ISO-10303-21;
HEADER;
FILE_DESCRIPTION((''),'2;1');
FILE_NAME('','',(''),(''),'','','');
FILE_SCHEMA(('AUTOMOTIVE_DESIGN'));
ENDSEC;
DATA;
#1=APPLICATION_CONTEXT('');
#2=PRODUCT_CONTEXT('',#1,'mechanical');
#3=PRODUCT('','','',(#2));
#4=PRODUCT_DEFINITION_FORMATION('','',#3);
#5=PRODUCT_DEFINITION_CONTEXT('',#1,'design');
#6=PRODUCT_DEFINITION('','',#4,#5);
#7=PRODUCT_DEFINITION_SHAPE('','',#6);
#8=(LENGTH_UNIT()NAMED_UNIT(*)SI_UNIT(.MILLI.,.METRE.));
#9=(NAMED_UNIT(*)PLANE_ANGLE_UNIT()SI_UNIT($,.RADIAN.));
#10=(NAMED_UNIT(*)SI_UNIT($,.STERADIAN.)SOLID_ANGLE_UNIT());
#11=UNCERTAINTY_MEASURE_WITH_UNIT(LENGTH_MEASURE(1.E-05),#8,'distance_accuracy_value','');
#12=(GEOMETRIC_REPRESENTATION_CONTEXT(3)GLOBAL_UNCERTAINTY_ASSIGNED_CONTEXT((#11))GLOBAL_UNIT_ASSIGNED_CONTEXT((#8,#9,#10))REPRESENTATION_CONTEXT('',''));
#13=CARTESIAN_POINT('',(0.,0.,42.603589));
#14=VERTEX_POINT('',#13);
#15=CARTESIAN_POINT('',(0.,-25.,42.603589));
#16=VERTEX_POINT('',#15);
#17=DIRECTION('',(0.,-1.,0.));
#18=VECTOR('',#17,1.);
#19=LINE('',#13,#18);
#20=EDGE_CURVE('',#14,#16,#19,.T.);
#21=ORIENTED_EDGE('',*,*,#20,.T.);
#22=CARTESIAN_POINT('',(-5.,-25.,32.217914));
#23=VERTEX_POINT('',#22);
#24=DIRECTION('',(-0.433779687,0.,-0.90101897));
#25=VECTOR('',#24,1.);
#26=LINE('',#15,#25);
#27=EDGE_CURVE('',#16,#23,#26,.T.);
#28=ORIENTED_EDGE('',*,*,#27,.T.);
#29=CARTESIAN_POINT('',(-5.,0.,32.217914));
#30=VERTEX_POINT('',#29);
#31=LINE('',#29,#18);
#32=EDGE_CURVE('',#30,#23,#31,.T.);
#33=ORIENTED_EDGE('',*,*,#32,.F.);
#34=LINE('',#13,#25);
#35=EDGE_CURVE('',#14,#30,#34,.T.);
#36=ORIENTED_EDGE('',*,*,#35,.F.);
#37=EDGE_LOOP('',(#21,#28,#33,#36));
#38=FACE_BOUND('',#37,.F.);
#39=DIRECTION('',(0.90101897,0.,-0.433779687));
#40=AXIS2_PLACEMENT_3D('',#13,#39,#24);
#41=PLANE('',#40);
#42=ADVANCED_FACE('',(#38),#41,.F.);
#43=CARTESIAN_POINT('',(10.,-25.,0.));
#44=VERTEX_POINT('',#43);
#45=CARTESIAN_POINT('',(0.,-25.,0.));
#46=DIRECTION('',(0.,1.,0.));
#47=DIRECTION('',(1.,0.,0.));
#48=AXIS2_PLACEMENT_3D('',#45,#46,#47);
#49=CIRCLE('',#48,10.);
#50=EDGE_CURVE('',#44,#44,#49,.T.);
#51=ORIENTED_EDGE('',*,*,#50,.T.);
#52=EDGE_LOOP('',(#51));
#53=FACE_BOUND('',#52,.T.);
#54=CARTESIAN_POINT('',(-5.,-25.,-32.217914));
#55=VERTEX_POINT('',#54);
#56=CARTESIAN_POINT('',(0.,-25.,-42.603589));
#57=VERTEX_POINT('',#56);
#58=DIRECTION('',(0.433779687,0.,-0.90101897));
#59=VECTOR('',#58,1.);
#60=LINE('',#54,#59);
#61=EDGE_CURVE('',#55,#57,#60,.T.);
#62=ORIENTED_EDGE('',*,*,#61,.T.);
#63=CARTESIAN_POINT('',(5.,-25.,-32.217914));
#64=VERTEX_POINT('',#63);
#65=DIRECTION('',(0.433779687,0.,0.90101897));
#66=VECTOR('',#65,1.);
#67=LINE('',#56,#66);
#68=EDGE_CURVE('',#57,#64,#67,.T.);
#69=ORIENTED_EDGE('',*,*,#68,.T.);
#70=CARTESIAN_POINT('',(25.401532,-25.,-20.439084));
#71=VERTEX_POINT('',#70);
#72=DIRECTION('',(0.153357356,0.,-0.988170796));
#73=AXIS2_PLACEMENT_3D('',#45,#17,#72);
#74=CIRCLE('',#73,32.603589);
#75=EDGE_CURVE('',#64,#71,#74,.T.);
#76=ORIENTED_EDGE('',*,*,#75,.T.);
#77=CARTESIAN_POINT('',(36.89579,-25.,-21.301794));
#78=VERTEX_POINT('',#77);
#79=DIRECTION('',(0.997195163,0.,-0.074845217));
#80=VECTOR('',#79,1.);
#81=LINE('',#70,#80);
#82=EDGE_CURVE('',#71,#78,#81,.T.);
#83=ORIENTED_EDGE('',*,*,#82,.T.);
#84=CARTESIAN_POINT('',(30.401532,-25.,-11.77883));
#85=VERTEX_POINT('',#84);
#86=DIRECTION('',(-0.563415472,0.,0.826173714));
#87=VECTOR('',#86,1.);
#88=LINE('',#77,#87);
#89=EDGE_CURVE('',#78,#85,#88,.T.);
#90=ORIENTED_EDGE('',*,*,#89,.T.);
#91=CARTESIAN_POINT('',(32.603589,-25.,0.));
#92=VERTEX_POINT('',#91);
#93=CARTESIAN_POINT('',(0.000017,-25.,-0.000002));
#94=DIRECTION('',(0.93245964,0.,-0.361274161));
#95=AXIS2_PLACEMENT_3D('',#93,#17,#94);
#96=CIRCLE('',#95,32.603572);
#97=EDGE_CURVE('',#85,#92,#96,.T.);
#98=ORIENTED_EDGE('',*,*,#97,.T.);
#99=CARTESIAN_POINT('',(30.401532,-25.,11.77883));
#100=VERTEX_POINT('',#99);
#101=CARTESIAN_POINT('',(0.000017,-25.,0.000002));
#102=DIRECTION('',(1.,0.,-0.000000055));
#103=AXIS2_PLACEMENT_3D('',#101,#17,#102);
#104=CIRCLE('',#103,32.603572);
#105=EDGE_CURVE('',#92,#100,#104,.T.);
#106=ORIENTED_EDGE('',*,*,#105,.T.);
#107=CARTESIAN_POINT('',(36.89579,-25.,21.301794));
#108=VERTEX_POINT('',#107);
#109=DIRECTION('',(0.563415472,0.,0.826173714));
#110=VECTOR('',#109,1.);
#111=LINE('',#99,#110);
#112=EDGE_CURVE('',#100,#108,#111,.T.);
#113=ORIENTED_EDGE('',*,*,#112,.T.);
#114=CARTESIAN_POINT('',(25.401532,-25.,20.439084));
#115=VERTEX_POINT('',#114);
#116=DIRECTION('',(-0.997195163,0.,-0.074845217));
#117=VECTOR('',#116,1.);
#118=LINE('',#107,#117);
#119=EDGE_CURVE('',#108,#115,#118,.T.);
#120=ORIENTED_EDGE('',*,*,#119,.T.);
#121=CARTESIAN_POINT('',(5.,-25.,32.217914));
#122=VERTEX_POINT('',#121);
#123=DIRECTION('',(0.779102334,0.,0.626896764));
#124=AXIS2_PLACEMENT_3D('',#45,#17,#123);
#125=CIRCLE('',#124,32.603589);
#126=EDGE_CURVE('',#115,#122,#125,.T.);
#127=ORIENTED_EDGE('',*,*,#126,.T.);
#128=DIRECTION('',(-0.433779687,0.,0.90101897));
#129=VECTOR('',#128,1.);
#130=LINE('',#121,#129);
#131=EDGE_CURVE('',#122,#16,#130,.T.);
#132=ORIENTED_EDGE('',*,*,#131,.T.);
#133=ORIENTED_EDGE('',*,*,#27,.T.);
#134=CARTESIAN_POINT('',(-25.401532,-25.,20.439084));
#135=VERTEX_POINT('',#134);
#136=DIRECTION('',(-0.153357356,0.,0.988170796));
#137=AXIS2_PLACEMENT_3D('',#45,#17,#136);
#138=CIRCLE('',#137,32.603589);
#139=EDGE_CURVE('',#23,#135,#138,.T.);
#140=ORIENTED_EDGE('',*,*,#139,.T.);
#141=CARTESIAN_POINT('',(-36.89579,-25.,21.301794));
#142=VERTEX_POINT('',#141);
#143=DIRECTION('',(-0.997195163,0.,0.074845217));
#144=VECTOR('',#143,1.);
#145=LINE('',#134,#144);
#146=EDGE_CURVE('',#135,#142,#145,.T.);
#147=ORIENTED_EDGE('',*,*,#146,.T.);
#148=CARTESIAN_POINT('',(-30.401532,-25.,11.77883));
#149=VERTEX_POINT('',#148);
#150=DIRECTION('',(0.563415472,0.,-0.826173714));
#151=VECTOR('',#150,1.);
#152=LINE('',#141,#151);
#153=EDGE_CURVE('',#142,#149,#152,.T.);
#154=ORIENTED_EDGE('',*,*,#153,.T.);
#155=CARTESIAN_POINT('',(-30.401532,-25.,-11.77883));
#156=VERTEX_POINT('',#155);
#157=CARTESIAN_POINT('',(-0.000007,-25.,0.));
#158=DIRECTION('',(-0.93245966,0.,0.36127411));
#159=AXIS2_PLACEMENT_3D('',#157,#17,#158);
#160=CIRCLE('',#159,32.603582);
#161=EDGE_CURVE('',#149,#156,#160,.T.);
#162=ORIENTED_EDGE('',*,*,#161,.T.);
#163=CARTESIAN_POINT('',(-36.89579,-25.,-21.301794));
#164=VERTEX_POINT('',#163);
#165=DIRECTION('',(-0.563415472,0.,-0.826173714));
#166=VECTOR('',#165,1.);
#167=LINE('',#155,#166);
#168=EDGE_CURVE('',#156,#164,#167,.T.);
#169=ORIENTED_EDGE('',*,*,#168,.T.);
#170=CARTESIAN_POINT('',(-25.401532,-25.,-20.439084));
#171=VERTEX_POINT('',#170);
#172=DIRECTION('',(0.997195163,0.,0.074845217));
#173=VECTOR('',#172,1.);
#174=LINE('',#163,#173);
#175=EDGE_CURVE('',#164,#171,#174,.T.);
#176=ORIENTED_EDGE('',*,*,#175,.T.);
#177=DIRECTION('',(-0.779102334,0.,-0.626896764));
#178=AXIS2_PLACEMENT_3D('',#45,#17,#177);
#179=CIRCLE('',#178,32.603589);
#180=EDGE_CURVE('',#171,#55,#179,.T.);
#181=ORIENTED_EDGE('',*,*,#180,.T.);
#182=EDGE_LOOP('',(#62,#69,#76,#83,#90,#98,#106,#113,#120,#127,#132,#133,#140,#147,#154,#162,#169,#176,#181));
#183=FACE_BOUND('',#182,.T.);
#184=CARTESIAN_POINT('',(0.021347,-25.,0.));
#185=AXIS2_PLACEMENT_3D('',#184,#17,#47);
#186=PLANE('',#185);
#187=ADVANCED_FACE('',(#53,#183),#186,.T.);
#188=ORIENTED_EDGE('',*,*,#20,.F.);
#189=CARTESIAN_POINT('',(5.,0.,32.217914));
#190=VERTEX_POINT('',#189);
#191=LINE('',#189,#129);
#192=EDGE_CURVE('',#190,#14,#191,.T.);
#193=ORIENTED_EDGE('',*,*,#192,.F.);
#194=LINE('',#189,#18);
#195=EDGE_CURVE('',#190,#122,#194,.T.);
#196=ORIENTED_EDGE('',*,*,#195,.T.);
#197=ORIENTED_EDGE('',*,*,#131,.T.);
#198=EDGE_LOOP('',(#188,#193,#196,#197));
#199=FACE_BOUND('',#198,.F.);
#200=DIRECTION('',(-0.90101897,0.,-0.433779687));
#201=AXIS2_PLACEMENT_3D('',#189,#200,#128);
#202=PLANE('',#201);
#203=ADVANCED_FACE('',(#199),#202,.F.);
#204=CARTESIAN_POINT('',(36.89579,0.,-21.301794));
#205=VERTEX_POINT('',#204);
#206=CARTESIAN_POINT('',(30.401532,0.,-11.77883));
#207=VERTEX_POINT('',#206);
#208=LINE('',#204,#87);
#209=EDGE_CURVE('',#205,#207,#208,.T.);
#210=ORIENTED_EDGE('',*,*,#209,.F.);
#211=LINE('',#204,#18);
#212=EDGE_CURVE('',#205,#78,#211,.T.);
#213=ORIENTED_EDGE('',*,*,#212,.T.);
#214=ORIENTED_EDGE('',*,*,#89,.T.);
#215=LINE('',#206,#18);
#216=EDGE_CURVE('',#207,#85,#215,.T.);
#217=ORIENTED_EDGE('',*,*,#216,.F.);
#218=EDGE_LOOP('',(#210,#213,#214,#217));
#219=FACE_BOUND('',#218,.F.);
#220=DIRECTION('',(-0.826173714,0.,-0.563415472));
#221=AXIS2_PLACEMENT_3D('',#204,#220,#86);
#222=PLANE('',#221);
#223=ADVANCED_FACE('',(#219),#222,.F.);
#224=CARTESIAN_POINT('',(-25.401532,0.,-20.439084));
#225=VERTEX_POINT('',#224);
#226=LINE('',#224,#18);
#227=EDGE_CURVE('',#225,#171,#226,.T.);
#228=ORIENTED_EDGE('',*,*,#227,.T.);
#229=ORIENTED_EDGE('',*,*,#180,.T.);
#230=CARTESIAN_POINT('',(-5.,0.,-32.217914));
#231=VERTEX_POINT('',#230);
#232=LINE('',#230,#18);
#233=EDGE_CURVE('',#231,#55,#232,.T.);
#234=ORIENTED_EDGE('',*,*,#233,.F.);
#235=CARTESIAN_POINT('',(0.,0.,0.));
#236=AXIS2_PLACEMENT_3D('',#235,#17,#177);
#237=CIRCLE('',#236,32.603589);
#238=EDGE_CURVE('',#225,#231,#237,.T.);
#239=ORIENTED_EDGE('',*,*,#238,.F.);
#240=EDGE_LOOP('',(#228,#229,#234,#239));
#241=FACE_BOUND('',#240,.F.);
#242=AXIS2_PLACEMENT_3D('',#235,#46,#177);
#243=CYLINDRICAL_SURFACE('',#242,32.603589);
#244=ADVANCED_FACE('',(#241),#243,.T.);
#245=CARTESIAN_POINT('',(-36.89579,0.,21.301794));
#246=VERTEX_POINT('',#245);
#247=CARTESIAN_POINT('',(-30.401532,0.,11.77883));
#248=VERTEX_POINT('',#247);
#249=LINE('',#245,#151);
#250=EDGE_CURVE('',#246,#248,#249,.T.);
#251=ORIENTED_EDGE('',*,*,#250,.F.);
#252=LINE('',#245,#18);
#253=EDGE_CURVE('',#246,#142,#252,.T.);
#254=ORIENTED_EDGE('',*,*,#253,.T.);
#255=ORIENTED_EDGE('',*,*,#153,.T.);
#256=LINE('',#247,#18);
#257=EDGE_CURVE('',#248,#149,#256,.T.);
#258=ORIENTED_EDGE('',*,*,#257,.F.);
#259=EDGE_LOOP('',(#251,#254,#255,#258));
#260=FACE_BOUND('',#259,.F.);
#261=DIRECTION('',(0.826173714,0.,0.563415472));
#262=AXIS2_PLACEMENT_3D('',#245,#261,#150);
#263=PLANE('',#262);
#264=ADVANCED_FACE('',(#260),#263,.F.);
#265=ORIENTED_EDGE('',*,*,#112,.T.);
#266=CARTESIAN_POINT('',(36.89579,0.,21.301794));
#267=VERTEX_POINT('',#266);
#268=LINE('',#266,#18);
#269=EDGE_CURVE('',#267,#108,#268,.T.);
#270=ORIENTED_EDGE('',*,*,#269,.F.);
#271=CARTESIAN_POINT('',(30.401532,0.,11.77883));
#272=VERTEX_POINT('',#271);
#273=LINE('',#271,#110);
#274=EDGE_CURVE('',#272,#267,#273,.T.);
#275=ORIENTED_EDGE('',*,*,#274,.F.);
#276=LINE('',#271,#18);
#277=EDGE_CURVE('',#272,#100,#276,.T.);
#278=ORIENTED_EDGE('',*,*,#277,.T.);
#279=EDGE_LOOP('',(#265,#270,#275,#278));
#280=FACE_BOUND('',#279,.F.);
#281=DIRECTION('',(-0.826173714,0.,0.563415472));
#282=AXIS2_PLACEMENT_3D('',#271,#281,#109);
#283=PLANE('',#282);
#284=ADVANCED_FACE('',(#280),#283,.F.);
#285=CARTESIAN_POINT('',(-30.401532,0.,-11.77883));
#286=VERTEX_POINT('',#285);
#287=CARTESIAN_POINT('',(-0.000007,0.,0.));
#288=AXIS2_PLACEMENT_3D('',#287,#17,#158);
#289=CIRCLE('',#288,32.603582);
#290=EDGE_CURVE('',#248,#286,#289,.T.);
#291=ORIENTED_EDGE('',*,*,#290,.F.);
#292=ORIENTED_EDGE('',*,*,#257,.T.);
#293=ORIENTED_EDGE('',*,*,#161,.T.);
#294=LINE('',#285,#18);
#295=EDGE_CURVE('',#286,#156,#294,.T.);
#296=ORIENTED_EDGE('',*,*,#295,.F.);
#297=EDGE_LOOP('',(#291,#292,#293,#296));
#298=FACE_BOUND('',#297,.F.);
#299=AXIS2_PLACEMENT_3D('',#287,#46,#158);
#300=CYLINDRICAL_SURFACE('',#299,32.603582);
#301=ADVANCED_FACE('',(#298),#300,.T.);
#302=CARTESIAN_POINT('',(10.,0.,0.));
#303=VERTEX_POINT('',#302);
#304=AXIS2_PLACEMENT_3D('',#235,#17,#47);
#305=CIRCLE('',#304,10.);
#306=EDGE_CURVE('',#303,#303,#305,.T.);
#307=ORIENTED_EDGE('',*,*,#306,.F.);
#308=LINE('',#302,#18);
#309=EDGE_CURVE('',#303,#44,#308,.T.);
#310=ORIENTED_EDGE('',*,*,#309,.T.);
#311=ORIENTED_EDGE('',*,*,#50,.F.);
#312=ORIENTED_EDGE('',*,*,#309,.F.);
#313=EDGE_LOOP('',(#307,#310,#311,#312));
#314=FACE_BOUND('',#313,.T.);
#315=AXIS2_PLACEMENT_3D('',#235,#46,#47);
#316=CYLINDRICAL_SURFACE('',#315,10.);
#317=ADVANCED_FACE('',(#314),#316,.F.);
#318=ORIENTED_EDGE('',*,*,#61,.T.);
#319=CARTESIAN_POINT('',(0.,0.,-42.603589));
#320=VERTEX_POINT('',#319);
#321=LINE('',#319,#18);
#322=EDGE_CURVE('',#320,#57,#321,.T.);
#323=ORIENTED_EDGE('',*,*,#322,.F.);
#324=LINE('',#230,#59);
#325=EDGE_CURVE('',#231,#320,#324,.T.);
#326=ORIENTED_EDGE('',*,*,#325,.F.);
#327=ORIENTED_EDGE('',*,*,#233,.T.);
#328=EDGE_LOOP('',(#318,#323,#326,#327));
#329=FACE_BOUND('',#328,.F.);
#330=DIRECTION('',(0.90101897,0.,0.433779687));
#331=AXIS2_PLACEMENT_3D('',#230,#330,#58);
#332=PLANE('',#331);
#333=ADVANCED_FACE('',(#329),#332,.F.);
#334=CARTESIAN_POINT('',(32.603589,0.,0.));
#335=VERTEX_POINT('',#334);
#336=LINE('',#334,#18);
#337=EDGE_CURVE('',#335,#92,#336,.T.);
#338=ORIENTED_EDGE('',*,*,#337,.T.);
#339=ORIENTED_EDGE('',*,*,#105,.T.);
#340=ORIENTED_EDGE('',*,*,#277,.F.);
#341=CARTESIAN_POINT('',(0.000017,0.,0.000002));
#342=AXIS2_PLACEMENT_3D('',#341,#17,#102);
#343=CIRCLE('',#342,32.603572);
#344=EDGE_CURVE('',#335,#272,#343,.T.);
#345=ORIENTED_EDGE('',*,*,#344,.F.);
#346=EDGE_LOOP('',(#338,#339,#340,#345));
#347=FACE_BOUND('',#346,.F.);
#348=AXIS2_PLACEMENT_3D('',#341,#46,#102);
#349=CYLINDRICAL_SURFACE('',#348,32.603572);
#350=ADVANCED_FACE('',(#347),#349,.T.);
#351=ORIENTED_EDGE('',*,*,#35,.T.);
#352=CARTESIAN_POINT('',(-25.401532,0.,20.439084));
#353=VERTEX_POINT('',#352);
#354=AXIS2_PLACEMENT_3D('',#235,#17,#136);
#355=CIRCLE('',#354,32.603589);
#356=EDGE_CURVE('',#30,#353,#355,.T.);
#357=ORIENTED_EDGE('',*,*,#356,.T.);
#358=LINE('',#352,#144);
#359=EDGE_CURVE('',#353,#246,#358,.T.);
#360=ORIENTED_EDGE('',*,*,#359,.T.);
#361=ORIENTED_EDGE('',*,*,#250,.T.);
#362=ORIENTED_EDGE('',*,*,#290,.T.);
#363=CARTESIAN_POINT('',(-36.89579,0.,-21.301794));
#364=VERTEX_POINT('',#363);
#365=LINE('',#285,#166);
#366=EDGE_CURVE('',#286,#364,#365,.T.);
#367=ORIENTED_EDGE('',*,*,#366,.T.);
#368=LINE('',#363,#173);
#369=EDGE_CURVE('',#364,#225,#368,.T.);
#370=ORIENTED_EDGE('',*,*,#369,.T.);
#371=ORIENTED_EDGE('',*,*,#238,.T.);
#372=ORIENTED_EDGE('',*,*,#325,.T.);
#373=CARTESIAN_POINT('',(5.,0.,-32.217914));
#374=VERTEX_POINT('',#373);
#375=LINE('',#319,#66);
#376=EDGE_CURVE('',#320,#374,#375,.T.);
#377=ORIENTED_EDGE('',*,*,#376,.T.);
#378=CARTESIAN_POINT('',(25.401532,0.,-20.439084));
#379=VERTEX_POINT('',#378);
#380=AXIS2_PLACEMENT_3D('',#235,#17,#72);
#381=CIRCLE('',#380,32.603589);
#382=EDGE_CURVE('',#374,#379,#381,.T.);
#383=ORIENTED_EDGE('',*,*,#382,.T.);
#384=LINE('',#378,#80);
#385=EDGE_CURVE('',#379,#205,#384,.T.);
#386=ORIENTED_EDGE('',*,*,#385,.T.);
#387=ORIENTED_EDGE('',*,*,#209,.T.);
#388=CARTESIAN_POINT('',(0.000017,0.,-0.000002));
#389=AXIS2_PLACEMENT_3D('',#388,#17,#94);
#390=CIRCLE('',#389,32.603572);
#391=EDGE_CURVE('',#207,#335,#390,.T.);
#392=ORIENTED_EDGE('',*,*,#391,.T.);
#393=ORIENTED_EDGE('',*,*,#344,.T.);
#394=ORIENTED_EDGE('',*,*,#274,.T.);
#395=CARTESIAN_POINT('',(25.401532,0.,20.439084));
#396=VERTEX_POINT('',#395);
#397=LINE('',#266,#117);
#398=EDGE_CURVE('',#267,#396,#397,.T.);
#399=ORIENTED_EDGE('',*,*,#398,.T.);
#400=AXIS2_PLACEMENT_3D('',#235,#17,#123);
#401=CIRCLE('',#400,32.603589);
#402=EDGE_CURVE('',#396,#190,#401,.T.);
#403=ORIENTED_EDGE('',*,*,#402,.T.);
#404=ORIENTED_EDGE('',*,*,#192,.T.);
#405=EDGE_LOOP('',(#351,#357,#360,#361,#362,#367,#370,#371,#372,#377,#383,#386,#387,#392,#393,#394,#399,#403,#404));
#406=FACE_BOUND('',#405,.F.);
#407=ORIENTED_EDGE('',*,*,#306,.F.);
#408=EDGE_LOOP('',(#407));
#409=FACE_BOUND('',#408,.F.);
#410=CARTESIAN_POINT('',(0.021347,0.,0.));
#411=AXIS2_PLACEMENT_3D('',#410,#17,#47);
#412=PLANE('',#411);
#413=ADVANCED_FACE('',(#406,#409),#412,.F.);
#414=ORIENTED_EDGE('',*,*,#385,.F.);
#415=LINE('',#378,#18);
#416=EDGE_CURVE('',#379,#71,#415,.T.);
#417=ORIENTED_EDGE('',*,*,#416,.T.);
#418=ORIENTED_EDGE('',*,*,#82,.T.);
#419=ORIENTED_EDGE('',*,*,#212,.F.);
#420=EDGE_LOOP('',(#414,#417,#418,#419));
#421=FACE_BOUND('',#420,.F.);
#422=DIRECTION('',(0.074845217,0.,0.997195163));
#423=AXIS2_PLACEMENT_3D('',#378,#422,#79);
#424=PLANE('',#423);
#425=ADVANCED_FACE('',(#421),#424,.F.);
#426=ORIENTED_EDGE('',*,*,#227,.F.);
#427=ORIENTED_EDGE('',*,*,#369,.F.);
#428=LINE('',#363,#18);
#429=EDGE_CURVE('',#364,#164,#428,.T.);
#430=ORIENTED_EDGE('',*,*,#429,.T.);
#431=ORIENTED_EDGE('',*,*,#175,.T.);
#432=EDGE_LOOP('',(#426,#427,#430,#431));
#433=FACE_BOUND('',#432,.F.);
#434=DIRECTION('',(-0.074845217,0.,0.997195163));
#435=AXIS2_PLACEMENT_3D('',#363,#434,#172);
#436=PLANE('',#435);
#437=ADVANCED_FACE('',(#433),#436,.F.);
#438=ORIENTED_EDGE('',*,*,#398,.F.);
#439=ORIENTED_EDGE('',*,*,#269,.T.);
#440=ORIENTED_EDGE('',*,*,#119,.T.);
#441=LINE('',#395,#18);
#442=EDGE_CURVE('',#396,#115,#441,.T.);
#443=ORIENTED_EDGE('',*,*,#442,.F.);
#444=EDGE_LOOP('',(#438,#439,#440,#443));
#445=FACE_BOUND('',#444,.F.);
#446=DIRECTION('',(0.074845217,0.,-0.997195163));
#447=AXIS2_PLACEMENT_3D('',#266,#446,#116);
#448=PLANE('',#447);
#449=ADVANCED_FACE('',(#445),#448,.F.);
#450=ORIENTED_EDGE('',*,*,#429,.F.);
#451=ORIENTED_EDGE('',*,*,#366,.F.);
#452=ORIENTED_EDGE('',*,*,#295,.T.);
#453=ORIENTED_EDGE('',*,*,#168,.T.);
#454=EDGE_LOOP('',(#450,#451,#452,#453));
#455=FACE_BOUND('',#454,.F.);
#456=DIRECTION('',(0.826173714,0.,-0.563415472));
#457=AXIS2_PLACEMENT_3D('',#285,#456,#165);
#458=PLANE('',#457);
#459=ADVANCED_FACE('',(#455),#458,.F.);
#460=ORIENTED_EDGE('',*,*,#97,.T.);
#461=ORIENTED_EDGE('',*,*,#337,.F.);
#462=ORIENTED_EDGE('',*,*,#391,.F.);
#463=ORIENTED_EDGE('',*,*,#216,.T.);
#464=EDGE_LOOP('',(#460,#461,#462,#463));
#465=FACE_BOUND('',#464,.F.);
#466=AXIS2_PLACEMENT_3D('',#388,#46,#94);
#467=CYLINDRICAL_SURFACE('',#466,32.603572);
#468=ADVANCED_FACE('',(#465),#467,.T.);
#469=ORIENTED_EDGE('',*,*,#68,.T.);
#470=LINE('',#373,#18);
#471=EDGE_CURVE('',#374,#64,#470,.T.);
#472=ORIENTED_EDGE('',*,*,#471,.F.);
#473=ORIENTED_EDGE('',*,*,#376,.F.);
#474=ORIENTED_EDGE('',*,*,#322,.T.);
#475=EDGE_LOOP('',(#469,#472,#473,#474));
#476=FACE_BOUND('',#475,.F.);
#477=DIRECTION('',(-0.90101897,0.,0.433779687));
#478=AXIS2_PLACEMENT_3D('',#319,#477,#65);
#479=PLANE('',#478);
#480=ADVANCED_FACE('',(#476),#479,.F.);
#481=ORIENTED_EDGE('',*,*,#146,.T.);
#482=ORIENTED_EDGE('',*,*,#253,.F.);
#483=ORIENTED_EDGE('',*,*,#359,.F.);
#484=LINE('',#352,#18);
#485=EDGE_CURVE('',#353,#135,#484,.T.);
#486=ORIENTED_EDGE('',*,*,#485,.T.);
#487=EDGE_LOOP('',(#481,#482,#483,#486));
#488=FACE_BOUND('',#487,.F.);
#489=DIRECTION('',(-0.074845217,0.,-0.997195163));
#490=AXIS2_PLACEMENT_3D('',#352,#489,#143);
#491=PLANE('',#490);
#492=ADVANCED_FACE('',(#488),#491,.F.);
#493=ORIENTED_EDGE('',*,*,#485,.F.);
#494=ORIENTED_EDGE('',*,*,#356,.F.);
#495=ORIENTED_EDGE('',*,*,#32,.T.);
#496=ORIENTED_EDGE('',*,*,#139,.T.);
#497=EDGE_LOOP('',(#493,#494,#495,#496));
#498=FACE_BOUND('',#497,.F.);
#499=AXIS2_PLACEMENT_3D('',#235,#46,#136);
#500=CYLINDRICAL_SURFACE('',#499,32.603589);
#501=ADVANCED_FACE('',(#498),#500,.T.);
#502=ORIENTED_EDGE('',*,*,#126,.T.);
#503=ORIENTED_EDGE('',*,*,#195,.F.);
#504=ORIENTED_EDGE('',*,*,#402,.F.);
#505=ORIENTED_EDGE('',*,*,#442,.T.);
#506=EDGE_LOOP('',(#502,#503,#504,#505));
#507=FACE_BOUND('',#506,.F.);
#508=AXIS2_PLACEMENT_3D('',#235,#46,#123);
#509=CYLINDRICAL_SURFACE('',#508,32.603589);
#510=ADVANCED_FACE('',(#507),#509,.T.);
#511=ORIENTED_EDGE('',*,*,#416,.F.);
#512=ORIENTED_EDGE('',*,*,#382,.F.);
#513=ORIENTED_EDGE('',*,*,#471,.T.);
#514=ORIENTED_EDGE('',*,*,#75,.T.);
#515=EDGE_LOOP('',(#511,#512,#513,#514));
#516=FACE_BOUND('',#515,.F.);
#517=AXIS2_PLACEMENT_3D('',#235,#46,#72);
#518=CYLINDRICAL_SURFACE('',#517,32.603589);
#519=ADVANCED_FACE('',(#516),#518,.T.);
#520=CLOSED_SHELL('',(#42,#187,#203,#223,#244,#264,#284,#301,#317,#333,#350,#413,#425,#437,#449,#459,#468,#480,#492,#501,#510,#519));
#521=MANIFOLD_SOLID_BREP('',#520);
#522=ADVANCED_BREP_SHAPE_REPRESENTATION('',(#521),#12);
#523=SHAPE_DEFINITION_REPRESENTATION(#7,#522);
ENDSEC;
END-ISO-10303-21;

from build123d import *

# Parameters (mm, degrees)
F1_DEPTH = 25
F2_R     = 10
F3_DEPTH = 31


with BuildPart() as f1:
    # F0 (on Front) → F1 (new body)
    with BuildSketch(Plane.XZ):
        with BuildLine():
            ThreePointArc((30.401532, -11.77883), (32.048347, -5.99145), (32.603589, 0))
            ThreePointArc((32.603589, 0), (32.048347, 5.99145), (30.401532, 11.77883))
            ThreePointArc((30.401532, 11.77883), (28.235536, 16.301794), (25.401532, 20.439084))
            ThreePointArc((25.401532, 20.439084), (16.301794, 28.235536), (5, 32.217914))
            ThreePointArc((5, 32.217914), (0, 32.603589), (-5, 32.217914))
            ThreePointArc((-5, 32.217914), (-16.301794, 28.235536), (-25.401532, 20.439084))
            ThreePointArc((-25.401532, 20.439084), (-28.235536, 16.301794), (-30.401532, 11.77883))
            ThreePointArc((-30.401532, 11.77883), (-32.603589, 0), (-30.401532, -11.77883))
            ThreePointArc((-30.401532, -11.77883), (-28.235536, -16.301794), (-25.401532, -20.439084))
            ThreePointArc((-25.401532, -20.439084), (-16.301794, -28.235536), (-5, -32.217914))
            ThreePointArc((-5, -32.217914), (0, -32.603589), (5, -32.217914))
            ThreePointArc((5, -32.217914), (16.301794, -28.235536), (25.401532, -20.439084))
            ThreePointArc((25.401532, -20.439084), (28.235536, -16.301794), (30.401532, -11.77883))
        make_face()
        with BuildLine():
            ThreePointArc((25.401532, 20.439084), (28.235536, 16.301794), (30.401532, 11.77883))
            Line((30.401532, 11.77883), (36.89579, 21.301794))
            Line((36.89579, 21.301794), (25.401532, 20.439084))
        make_face()
        with BuildLine():
            Line((36.89579, -21.301794), (30.401532, -11.77883))
            ThreePointArc((30.401532, -11.77883), (28.235536, -16.301794), (25.401532, -20.439084))
            Line((25.401532, -20.439084), (36.89579, -21.301794))
        make_face()
        with BuildLine():
            ThreePointArc((-5, 32.217914), (0, 32.603589), (5, 32.217914))
            Line((5, 32.217914), (0, 42.603589))
            Line((0, 42.603589), (-5, 32.217914))
        make_face()
        with BuildLine():
            Line((0, -42.603589), (5, -32.217914))
            ThreePointArc((5, -32.217914), (0, -32.603589), (-5, -32.217914))
            Line((-5, -32.217914), (0, -42.603589))
        make_face()
        with BuildLine():
            ThreePointArc((-30.401532, 11.77883), (-28.235536, 16.301794), (-25.401532, 20.439084))
            Line((-25.401532, 20.439084), (-36.89579, 21.301794))
            Line((-36.89579, 21.301794), (-30.401532, 11.77883))
        make_face()
        with BuildLine():
            Line((-36.89579, -21.301794), (-25.401532, -20.439084))
            ThreePointArc((-25.401532, -20.439084), (-28.235536, -16.301794), (-30.401532, -11.77883))
            Line((-30.401532, -11.77883), (-36.89579, -21.301794))
        make_face()
    extrude(amount=F1_DEPTH)

    # F2 (on face) → F3 (cut)
    with BuildSketch(Plane.XZ):
        Circle(F2_R)
    extrude(amount=F3_DEPTH, mode=Mode.SUBTRACT)


solid = f1.part
